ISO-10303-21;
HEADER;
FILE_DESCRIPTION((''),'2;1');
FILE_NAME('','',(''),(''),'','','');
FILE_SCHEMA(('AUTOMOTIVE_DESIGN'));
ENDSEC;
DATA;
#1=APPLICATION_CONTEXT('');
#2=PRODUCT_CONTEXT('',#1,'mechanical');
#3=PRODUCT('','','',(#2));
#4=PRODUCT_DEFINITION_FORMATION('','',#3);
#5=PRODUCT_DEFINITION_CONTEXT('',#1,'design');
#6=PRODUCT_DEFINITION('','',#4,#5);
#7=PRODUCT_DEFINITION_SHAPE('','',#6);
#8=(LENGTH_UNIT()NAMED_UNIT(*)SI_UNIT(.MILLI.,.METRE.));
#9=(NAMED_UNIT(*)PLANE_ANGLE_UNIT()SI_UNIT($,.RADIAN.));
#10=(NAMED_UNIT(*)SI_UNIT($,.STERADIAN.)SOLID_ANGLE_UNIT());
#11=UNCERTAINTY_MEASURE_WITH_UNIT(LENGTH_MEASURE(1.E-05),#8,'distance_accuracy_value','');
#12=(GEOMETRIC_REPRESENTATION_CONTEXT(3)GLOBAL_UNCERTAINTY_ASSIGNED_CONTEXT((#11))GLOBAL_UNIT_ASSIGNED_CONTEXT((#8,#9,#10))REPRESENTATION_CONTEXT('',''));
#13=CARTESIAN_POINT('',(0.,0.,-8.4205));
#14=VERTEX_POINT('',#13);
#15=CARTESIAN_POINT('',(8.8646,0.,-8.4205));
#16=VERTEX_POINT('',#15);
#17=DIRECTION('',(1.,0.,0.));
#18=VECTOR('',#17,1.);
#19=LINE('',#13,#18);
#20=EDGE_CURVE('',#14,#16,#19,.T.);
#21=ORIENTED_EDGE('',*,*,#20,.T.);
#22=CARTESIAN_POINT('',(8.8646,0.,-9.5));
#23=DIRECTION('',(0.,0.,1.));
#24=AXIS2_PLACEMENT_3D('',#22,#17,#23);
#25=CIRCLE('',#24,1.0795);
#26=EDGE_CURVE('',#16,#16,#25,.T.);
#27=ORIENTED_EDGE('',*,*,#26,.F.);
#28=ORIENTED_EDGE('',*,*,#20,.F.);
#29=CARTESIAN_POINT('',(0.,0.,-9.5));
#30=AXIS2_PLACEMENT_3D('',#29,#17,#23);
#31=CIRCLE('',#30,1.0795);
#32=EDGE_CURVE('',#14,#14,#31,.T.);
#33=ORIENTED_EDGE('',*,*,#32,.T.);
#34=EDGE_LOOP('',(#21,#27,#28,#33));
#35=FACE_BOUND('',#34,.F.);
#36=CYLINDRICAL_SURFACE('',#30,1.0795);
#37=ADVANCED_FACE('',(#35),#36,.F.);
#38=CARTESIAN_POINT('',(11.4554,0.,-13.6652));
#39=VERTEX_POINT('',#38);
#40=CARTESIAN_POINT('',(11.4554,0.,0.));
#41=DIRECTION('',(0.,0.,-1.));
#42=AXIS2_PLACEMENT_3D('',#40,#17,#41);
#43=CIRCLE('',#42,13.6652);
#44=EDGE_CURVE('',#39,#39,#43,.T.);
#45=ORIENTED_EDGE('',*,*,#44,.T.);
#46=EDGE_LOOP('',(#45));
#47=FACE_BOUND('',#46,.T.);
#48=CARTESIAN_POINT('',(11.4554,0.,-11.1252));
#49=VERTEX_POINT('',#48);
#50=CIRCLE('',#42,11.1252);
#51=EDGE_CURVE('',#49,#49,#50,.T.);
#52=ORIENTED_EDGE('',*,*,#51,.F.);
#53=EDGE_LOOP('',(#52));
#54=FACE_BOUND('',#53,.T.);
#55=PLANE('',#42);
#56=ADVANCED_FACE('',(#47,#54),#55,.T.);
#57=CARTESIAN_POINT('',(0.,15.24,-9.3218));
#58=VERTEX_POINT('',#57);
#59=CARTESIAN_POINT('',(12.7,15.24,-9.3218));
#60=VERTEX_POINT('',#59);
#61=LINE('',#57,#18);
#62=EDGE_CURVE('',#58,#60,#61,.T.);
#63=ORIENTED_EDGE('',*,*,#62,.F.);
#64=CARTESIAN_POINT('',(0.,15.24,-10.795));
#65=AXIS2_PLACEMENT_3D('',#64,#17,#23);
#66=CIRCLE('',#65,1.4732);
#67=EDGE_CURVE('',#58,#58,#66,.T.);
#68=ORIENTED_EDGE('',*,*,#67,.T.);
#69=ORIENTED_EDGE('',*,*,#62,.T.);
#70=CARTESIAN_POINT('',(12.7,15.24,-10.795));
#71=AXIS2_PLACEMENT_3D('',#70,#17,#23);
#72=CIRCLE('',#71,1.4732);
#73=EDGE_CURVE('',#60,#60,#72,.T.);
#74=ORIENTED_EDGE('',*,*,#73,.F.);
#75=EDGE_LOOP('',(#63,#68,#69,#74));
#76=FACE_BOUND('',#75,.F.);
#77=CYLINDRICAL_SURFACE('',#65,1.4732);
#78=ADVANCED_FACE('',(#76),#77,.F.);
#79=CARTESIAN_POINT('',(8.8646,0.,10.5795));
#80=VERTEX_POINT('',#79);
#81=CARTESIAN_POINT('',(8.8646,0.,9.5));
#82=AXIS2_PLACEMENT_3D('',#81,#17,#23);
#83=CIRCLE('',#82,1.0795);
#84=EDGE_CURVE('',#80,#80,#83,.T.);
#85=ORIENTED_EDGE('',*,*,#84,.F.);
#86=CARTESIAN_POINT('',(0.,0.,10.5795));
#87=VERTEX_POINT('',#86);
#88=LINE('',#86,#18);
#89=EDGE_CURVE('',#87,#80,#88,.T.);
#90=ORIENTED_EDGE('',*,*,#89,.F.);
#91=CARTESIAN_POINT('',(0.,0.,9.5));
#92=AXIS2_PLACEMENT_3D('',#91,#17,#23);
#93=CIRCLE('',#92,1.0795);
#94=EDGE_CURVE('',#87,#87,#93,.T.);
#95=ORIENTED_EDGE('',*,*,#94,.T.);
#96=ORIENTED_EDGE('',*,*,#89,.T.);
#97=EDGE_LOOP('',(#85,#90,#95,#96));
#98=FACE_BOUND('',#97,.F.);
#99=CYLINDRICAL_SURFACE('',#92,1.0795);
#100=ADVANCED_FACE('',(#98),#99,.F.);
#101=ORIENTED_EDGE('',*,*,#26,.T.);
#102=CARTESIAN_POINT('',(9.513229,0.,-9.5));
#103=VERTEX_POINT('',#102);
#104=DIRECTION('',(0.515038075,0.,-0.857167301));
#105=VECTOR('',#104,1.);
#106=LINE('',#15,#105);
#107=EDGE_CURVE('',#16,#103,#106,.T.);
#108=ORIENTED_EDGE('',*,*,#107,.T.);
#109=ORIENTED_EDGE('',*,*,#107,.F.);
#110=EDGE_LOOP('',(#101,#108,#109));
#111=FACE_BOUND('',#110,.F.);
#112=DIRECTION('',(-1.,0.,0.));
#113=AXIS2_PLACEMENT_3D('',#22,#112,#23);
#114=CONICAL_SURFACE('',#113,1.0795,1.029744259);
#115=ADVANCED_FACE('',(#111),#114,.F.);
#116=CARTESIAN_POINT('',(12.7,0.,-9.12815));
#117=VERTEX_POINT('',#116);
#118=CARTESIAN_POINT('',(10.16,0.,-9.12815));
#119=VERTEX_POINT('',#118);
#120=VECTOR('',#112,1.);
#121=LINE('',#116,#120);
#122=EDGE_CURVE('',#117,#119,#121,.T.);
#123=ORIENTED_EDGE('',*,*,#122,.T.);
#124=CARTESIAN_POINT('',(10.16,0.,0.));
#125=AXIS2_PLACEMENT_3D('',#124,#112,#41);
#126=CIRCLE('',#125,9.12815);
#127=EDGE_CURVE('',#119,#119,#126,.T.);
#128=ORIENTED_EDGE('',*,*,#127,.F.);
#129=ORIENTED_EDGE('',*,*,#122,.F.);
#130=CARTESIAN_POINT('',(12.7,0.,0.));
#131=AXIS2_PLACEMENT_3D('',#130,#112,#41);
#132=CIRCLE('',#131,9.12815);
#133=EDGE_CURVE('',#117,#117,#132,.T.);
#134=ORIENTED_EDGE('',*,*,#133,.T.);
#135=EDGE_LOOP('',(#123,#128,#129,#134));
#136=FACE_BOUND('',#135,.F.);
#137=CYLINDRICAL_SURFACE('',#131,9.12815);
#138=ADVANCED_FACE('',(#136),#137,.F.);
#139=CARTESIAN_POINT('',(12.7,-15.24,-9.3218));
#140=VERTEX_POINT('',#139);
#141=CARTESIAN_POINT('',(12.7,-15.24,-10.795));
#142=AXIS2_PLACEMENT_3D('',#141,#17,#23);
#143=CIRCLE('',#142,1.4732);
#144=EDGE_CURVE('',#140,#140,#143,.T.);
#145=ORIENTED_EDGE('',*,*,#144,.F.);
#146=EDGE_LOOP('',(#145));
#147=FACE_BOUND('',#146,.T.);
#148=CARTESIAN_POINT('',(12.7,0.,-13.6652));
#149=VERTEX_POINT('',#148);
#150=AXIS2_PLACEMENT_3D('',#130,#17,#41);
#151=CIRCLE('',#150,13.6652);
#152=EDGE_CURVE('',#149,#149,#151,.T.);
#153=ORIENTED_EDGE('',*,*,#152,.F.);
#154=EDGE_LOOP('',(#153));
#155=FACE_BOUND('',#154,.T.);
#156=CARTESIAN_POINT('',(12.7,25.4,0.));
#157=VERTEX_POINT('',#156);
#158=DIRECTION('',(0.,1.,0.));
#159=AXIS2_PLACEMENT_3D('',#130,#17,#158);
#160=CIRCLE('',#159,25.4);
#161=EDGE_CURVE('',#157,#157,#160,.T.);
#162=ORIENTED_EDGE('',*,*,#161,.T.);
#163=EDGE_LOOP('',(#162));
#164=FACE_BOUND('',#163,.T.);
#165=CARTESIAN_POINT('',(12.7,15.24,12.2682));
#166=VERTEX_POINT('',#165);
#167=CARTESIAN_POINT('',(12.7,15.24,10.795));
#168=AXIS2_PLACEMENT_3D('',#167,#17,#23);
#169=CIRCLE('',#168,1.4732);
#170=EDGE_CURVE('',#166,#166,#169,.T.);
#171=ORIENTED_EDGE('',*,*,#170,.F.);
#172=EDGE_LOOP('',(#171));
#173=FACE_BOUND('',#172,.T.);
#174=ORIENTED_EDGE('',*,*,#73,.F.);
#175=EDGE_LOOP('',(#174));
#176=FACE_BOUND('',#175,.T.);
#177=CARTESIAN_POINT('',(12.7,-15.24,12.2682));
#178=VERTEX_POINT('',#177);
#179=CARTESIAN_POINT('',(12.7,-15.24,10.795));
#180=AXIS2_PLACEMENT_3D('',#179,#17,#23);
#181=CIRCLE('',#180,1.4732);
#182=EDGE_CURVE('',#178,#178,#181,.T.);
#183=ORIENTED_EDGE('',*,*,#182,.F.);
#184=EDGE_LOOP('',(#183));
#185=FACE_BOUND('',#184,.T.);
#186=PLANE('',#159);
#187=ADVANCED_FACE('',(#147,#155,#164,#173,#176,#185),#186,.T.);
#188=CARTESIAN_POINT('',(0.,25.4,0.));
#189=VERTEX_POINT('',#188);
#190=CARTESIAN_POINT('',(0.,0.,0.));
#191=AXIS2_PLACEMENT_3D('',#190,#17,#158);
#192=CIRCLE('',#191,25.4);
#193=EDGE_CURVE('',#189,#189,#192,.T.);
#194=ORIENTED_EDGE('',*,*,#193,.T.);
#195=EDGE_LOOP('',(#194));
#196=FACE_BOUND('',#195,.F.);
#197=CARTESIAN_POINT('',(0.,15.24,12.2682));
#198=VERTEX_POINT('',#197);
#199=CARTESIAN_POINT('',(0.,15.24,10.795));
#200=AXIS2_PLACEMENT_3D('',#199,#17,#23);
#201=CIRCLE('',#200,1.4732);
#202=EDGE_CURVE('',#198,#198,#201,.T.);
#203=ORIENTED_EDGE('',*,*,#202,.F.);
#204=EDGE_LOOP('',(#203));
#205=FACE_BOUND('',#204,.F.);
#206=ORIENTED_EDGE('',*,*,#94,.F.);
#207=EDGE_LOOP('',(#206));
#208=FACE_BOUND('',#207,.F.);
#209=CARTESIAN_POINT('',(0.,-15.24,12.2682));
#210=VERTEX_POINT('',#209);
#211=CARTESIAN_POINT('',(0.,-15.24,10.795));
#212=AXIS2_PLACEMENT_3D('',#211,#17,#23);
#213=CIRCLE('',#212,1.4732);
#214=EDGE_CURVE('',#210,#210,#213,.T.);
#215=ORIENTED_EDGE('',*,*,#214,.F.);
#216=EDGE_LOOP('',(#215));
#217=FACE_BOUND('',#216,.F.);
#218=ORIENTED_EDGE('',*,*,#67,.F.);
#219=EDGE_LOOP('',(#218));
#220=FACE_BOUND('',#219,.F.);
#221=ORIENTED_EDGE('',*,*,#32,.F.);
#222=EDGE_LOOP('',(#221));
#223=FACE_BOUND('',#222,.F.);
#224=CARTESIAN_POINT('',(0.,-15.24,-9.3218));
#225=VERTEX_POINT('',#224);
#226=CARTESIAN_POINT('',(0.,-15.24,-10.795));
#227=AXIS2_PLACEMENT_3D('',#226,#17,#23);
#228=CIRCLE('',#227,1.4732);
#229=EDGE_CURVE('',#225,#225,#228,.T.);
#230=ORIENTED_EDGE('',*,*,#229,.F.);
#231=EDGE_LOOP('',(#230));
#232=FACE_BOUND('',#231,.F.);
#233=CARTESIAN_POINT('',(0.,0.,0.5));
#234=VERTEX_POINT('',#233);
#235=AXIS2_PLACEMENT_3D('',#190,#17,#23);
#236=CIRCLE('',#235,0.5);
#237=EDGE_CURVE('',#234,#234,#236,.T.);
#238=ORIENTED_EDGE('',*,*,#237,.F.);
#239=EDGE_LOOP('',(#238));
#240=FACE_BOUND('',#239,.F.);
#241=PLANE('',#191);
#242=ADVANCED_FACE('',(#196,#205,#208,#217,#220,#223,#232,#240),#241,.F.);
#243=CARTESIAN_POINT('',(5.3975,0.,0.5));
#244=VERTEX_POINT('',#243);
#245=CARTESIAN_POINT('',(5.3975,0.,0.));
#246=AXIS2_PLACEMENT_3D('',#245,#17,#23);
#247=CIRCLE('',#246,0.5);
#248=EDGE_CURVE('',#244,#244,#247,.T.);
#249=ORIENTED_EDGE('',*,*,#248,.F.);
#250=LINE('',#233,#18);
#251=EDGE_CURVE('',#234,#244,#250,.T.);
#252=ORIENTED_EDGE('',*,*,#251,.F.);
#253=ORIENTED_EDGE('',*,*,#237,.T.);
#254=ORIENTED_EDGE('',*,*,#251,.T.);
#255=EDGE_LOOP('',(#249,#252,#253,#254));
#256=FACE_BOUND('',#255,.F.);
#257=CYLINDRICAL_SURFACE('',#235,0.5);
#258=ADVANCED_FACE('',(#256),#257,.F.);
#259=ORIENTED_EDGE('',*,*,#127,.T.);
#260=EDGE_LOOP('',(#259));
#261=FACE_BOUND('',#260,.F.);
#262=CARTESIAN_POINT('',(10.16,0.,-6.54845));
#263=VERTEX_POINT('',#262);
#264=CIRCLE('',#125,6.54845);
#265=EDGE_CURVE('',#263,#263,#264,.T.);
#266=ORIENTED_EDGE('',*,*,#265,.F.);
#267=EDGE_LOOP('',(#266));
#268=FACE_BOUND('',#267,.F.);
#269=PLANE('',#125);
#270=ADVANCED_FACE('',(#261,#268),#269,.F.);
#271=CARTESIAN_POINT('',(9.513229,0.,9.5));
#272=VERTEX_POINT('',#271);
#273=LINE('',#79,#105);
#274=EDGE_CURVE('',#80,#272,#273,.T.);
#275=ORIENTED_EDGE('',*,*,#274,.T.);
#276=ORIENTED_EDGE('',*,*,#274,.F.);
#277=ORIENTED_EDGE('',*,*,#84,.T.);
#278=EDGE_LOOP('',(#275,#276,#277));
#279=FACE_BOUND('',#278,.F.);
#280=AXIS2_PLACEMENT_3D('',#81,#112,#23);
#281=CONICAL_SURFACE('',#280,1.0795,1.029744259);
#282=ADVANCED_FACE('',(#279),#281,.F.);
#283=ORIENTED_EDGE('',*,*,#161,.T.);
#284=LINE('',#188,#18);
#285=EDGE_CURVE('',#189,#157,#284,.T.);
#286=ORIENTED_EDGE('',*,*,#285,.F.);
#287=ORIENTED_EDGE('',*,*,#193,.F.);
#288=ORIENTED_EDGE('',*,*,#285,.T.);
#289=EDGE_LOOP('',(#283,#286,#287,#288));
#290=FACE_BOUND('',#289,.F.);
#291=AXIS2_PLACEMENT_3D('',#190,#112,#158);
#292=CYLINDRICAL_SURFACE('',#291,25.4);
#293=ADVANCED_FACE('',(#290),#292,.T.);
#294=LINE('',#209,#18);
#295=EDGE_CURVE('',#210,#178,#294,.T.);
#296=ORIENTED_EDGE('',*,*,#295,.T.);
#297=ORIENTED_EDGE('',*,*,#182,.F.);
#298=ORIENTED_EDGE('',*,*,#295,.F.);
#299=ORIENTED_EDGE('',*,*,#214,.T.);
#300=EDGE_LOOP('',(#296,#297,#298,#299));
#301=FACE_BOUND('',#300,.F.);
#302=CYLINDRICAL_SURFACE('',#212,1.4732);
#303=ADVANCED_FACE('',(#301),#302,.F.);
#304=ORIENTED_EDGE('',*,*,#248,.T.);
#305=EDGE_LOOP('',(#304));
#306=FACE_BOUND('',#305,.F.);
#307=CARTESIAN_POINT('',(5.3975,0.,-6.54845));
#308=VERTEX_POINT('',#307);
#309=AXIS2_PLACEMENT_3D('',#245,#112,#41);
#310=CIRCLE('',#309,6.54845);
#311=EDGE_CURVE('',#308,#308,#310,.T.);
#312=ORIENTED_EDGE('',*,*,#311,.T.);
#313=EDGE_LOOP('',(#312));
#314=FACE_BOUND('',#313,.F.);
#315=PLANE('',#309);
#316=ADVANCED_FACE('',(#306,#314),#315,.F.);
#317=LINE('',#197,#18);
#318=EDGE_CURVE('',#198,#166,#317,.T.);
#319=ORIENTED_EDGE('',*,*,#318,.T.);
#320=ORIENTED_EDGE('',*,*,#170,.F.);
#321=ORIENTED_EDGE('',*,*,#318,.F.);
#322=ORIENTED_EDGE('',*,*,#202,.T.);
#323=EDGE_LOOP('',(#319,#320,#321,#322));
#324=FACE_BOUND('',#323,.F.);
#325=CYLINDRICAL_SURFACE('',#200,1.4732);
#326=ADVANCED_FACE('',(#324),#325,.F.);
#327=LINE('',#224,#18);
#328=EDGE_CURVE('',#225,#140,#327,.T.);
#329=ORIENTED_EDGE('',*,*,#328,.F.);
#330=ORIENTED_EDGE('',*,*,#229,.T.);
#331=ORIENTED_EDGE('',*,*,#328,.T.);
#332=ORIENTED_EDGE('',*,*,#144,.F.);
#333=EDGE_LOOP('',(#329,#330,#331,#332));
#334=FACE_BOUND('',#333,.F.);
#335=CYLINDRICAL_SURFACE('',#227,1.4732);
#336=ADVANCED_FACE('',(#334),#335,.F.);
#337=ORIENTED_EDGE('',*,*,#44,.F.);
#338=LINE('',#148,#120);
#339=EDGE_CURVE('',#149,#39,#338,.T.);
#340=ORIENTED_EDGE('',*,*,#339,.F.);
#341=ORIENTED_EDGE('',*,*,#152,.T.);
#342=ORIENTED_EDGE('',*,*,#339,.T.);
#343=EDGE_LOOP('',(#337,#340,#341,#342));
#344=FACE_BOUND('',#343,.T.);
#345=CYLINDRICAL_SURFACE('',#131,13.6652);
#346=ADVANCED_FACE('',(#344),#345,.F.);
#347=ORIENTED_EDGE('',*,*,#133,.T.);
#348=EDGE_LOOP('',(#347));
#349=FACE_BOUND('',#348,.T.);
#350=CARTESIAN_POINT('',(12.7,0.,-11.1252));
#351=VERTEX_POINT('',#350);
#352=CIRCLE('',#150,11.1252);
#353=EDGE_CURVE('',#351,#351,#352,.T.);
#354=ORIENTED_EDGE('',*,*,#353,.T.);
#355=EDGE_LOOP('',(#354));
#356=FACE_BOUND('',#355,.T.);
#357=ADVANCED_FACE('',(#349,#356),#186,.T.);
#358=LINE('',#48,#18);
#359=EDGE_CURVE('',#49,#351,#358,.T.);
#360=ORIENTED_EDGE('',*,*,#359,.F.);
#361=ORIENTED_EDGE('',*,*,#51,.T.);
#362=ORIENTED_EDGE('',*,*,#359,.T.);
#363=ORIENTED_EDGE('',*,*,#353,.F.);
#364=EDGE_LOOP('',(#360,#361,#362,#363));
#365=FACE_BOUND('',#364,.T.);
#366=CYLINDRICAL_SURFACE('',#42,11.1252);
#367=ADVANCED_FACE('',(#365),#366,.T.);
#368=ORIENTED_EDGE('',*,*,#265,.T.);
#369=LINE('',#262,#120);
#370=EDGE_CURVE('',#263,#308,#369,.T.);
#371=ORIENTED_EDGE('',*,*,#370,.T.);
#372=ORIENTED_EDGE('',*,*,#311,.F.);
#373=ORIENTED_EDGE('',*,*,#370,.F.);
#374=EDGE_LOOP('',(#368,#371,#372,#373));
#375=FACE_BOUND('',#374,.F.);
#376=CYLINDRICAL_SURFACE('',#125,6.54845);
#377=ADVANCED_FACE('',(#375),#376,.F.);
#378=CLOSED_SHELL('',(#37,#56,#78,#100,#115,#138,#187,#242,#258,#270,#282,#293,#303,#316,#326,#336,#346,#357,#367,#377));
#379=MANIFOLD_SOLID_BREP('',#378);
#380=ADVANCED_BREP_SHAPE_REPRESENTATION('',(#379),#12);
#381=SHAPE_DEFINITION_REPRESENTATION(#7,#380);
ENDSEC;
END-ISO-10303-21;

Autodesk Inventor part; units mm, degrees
ref_plane "YZ Plane" through (0, 0, 0) normal (1, 0, 0) x (0, 1, 0)
ref_plane "XZ Plane" through (0, 0, 0) normal (0, 1, 0) x (-1, 0, 0)
ref_plane "XY Plane" through (0, 0, 0) normal (0, 0, 1) x (1, 0, 0)
sketch "Sketch1" plane through (0, 0, 0) normal (1, 0, 0) x (0, 1, 0)
  circle A0 centre (0, 0) radius 25.4
  dimension "d0" = 50.8
extrude "Extrusion1" add sketch "Sketch1" along normal blind 12.7
sketch "Sketch10" plane through (12.7, 0, 0) normal (1, 0, 0) x (0, 0, -1)
  point P0 (0, 0)
  point P1 (0, 0)
hole "Hole4" at (12.7, 0, 0) direction (-1, 0, 0) diameter 18.2563 depth 2.54
sketch "Sketch11" plane through (10.16, 0, 0) normal (1, 0, 0) x (0, 0, -1)
  point P0 (0, 0)
  point P1 (0, 0)
hole "Hole7" at (10.16, 0, 0) direction (-1, 0, 0) diameter 13.0969 depth 4.7625
sketch "Sketch12" plane through (0, 0, 0) normal (-1, 0, 0) x (0, 0, 1)
  line L0 (-10.795, 15.24) -> (10.795, 15.24) construction
  line L1 (10.795, 15.24) -> (10.795, -15.24) construction
  line L2 (10.795, -15.24) -> (-10.795, -15.24) construction
  line L3 (-10.795, -15.24) -> (-10.795, 15.24) construction
  line L4 (-10.795, 15.24) -> (10.795, -15.24) construction
  line L5 (10.795, 15.24) -> (-10.795, -15.24) construction
  point P0 (0, 0)
  dimension "d107" = 21.59
  dimension "d108" = 30.48
hole "Hole8" at (0, 15.24, 10.795) at (0, -15.24, 10.795) at (0, -15.24, -10.795) at (0, 15.24, -10.795) direction (1, 0, 0) diameter 2.9464 end through all clearance for "Socket Head Cap Screw" size "#4" standard "Ansi Unified Screw Threads"
sketch "Sketch13" plane through (0, 0, 0) normal (-1, 0, 0) x (0, 0, 1)
  point P0 (0, 0)
  point P1 (0, 0)
hole "Hole9" at (0, 0, 0) direction (1, 0, 0) diameter 1 end through all
sketch "Sketch9" plane through (0, 0, 0) normal (0, 1, 0) x (-1, 0, 0)
  line L0 (-11.4554, -11.1252) -> (-12.7, -11.1252)
  line L1 (-12.7, -11.1252) -> (-12.7, -13.6652)
  line L2 (-12.7, -13.6652) -> (-11.4554, -13.6652)
  line L3 (-11.4554, -13.6652) -> (-11.4554, -11.1252)
  line L4 (2.54, 0) -> (-15.24, 0) projected
  line L5 (-12.7, 25.4) -> (-12.7, -25.4) projected
  point P0 (0, 0)
  dimension "d55" = 2.54
  dimension "d56" = 1.2446
  dimension "d59" = 11.1252
revolve "Revolution1" cut sketch "Sketch9" angle 360 about axis through (-10, 0, 0) along (1, 0, 0)
sketch "Sketch14" plane through (0, 0, 0) normal (-1, 0, 0) x (0, 0, 1)
  line L0 (-9.5, 0) -> (9.5, 0)
  circle A0 centre (0, 0) radius 0.5 projected
  dimension "d123" = 19
  dimension "d124" = 9.5
hole "Hole10" at (0, 0, 9.5) at (0, 0, -9.5) direction (1, 0, 0) diameter 2.159 depth 8.8646 tip angle 118
equation "\"d0\" = sensorHolderDiameter"
equation "\"d1\" = sensorHolderThickness"
equation "\"d100\" = glassTubeDiameter + 2 * glassTubeClearance"
equation "\"d107\" = shortHoleSpacing"
equation "\"d108\" = longHoleSpacing"
equation "\"d116\" = fiberDiameter + 2 * fiberClearance"
equation "\"d55\" = oRingGrooveWidth"
equation "\"d56\" = oRingGrooveDepth"
equation "\"d59\" = 0.5 * oRingID"
equation "\"d123\" = sensorBoardHoleSpacing"
equation "\"d124\" = 0.5 * d123"
equation "\"tubeHeight\" = 50.8"
equation "\"tubeWidth\" = 152.4"
equation "\"tubeLength\" = 304.8"
equation "\"tubeWallThickness\" = 3.175"
equation "\"plateOverhang\" = 6.35"
equation "\"moatWidth\" = 3.175"
equation "\"moatDepth\" = 3.175"
equation "\"tubePlateClearance\" = 0.127"
equation "\"blankCapThickness\" = 9.525"
equation "\"sensorCapThickness\" = 12.7"
equation "\"glassTubeDiameter\" = 12.7"
equation "\"glassTubeClearance\" = 0.19844"
equation "\"longHoleSpacing\" = 30.48"
equation "\"shortHoleSpacing\" = 21.59"
equation "\"sensorHolderDiameter\" = 50.8"
equation "\"sensorHolderThickness\" = 12.7"
equation "\"fiberClearence\" = 0"
equation "\"fiberDiameter\" = 1"
equation "\"fiberClearance\" = 0"
equation "\"oRingGrooveDepth\" = 1.2446"
equation "\"oRingGrooveWidth\" = 2.54"
equation "\"oRingID\" = 22.2504"
equation "\"glassTubeLength\" = 279.4"
equation "\"glassTubeID\" = 7.874"
equation "\"sensorBoardHoleSpacing\" = 19"
properties part number ".5 in hole" material "Aluminum 6061"
